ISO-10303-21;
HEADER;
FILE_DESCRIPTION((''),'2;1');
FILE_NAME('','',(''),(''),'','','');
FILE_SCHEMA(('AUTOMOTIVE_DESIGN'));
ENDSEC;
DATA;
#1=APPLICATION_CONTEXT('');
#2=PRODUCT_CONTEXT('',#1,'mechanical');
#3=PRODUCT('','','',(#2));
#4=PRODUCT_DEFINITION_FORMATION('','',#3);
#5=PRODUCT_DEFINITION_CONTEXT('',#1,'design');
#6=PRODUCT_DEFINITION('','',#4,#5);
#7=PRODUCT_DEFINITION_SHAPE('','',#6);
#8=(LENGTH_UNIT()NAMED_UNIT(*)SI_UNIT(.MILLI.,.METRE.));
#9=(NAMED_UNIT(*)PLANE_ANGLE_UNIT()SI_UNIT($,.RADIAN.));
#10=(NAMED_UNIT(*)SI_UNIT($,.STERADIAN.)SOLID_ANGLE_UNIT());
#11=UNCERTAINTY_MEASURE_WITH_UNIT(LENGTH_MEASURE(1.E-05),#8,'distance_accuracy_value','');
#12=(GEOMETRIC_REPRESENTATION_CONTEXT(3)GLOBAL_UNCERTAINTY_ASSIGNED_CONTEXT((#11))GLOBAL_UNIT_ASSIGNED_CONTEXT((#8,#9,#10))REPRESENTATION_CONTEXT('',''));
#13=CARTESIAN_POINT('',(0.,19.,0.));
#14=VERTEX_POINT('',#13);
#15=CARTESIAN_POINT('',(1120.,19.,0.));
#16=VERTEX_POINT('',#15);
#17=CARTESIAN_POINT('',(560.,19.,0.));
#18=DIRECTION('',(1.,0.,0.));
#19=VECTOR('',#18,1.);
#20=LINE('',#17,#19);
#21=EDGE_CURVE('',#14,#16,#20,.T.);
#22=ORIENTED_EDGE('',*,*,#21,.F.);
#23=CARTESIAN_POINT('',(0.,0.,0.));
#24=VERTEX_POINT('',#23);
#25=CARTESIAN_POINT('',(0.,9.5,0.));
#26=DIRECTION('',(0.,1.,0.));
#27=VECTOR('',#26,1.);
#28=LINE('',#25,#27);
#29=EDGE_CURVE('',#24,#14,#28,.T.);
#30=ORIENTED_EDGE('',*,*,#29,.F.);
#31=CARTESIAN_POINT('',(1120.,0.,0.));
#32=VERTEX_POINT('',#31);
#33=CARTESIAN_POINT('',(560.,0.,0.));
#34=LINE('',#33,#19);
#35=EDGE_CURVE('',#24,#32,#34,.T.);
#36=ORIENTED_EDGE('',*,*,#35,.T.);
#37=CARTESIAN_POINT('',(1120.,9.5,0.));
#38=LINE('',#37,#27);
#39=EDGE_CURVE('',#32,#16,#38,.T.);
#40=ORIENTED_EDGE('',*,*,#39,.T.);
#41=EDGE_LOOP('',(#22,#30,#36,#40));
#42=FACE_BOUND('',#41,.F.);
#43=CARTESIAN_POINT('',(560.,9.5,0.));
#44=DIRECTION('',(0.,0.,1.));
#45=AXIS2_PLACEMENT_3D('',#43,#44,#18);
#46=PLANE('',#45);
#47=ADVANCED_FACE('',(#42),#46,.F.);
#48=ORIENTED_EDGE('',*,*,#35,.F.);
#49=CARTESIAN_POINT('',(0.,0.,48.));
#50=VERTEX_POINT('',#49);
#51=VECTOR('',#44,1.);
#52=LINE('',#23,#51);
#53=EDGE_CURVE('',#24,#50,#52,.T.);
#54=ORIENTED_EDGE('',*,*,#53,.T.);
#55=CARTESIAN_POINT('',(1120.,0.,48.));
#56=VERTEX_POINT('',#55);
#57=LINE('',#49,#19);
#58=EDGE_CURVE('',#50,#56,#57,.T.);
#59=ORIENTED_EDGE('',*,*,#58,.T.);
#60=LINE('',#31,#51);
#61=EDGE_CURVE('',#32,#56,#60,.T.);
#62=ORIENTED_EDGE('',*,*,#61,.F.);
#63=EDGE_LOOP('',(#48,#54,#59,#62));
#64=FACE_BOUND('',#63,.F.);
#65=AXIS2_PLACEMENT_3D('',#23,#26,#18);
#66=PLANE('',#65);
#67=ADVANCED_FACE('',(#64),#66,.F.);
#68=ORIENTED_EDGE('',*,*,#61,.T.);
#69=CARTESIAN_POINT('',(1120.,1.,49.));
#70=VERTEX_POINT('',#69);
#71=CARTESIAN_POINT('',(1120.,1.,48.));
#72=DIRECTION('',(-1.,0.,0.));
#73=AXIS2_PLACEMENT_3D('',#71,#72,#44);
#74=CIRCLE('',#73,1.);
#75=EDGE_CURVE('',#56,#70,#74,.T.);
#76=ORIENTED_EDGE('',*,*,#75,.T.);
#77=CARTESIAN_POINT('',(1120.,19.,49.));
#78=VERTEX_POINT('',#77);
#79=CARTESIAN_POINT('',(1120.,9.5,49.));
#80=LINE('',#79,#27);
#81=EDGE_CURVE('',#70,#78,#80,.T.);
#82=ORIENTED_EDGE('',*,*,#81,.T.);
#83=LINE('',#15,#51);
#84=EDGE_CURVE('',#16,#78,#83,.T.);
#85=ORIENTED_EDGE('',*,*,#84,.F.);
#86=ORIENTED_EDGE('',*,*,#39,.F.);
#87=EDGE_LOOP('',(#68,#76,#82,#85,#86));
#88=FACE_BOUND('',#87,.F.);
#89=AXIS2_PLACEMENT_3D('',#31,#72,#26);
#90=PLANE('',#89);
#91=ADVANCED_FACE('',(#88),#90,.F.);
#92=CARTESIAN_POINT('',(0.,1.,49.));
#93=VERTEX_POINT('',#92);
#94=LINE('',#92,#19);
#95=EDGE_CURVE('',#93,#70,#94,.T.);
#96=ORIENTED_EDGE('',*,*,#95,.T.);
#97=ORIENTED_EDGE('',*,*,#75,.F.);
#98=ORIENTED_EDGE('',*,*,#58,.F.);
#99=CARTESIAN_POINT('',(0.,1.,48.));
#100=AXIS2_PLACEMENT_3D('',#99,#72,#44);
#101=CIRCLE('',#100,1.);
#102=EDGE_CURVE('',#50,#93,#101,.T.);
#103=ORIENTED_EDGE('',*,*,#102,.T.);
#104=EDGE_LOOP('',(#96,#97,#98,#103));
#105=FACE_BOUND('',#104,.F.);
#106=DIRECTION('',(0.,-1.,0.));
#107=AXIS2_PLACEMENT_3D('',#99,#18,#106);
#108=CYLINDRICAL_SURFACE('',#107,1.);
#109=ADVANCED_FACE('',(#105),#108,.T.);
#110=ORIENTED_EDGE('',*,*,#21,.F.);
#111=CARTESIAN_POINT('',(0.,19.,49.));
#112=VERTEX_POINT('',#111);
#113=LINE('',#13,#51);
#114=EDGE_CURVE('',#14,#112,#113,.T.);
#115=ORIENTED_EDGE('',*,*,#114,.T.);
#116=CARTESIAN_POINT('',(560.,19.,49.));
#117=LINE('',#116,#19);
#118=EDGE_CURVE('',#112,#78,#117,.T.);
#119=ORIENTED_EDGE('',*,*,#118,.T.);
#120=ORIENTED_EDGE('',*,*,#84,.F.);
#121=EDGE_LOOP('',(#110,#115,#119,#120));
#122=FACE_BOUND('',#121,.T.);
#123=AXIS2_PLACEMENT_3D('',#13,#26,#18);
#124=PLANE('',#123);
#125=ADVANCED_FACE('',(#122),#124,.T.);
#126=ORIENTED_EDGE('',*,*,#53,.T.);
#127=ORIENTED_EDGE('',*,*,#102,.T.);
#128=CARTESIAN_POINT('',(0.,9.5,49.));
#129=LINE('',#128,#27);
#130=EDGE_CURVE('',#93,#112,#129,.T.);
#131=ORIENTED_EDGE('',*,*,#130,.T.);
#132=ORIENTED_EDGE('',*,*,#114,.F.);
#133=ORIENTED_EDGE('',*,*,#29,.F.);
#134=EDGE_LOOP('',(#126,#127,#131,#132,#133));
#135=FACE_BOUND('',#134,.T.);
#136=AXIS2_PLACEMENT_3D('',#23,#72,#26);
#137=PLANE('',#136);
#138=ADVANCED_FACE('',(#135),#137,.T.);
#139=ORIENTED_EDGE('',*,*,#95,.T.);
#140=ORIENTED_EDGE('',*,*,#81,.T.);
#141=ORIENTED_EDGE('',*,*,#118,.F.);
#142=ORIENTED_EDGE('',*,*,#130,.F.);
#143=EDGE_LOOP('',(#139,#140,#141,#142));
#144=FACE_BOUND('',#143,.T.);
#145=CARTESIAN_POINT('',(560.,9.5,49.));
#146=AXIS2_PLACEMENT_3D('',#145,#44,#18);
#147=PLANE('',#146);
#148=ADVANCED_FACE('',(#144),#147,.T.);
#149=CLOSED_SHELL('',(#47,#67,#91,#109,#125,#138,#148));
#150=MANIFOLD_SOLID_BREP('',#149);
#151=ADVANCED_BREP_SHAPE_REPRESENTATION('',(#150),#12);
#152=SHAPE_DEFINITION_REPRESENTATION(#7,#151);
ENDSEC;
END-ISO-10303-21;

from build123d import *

# Parameters (mm, degrees)
BOX_W     = 1120
BOX_H     = 19
BOX_DEPTH = 49
FILLET_R  = 1


with BuildPart() as part:
    # Box → Box (new body)
    with BuildSketch(Plane.XY):
        with Locations((560, 9.5)):
            Rectangle(BOX_W, BOX_H)
    extrude(amount=BOX_DEPTH)

    # Fillet
    fillet_edges = [part.edges().sort_by_distance(p)[0] for p in [
        (560, 0, 49),
    ]]
    fillet(fillet_edges, radius=FILLET_R)


solid = part.part
